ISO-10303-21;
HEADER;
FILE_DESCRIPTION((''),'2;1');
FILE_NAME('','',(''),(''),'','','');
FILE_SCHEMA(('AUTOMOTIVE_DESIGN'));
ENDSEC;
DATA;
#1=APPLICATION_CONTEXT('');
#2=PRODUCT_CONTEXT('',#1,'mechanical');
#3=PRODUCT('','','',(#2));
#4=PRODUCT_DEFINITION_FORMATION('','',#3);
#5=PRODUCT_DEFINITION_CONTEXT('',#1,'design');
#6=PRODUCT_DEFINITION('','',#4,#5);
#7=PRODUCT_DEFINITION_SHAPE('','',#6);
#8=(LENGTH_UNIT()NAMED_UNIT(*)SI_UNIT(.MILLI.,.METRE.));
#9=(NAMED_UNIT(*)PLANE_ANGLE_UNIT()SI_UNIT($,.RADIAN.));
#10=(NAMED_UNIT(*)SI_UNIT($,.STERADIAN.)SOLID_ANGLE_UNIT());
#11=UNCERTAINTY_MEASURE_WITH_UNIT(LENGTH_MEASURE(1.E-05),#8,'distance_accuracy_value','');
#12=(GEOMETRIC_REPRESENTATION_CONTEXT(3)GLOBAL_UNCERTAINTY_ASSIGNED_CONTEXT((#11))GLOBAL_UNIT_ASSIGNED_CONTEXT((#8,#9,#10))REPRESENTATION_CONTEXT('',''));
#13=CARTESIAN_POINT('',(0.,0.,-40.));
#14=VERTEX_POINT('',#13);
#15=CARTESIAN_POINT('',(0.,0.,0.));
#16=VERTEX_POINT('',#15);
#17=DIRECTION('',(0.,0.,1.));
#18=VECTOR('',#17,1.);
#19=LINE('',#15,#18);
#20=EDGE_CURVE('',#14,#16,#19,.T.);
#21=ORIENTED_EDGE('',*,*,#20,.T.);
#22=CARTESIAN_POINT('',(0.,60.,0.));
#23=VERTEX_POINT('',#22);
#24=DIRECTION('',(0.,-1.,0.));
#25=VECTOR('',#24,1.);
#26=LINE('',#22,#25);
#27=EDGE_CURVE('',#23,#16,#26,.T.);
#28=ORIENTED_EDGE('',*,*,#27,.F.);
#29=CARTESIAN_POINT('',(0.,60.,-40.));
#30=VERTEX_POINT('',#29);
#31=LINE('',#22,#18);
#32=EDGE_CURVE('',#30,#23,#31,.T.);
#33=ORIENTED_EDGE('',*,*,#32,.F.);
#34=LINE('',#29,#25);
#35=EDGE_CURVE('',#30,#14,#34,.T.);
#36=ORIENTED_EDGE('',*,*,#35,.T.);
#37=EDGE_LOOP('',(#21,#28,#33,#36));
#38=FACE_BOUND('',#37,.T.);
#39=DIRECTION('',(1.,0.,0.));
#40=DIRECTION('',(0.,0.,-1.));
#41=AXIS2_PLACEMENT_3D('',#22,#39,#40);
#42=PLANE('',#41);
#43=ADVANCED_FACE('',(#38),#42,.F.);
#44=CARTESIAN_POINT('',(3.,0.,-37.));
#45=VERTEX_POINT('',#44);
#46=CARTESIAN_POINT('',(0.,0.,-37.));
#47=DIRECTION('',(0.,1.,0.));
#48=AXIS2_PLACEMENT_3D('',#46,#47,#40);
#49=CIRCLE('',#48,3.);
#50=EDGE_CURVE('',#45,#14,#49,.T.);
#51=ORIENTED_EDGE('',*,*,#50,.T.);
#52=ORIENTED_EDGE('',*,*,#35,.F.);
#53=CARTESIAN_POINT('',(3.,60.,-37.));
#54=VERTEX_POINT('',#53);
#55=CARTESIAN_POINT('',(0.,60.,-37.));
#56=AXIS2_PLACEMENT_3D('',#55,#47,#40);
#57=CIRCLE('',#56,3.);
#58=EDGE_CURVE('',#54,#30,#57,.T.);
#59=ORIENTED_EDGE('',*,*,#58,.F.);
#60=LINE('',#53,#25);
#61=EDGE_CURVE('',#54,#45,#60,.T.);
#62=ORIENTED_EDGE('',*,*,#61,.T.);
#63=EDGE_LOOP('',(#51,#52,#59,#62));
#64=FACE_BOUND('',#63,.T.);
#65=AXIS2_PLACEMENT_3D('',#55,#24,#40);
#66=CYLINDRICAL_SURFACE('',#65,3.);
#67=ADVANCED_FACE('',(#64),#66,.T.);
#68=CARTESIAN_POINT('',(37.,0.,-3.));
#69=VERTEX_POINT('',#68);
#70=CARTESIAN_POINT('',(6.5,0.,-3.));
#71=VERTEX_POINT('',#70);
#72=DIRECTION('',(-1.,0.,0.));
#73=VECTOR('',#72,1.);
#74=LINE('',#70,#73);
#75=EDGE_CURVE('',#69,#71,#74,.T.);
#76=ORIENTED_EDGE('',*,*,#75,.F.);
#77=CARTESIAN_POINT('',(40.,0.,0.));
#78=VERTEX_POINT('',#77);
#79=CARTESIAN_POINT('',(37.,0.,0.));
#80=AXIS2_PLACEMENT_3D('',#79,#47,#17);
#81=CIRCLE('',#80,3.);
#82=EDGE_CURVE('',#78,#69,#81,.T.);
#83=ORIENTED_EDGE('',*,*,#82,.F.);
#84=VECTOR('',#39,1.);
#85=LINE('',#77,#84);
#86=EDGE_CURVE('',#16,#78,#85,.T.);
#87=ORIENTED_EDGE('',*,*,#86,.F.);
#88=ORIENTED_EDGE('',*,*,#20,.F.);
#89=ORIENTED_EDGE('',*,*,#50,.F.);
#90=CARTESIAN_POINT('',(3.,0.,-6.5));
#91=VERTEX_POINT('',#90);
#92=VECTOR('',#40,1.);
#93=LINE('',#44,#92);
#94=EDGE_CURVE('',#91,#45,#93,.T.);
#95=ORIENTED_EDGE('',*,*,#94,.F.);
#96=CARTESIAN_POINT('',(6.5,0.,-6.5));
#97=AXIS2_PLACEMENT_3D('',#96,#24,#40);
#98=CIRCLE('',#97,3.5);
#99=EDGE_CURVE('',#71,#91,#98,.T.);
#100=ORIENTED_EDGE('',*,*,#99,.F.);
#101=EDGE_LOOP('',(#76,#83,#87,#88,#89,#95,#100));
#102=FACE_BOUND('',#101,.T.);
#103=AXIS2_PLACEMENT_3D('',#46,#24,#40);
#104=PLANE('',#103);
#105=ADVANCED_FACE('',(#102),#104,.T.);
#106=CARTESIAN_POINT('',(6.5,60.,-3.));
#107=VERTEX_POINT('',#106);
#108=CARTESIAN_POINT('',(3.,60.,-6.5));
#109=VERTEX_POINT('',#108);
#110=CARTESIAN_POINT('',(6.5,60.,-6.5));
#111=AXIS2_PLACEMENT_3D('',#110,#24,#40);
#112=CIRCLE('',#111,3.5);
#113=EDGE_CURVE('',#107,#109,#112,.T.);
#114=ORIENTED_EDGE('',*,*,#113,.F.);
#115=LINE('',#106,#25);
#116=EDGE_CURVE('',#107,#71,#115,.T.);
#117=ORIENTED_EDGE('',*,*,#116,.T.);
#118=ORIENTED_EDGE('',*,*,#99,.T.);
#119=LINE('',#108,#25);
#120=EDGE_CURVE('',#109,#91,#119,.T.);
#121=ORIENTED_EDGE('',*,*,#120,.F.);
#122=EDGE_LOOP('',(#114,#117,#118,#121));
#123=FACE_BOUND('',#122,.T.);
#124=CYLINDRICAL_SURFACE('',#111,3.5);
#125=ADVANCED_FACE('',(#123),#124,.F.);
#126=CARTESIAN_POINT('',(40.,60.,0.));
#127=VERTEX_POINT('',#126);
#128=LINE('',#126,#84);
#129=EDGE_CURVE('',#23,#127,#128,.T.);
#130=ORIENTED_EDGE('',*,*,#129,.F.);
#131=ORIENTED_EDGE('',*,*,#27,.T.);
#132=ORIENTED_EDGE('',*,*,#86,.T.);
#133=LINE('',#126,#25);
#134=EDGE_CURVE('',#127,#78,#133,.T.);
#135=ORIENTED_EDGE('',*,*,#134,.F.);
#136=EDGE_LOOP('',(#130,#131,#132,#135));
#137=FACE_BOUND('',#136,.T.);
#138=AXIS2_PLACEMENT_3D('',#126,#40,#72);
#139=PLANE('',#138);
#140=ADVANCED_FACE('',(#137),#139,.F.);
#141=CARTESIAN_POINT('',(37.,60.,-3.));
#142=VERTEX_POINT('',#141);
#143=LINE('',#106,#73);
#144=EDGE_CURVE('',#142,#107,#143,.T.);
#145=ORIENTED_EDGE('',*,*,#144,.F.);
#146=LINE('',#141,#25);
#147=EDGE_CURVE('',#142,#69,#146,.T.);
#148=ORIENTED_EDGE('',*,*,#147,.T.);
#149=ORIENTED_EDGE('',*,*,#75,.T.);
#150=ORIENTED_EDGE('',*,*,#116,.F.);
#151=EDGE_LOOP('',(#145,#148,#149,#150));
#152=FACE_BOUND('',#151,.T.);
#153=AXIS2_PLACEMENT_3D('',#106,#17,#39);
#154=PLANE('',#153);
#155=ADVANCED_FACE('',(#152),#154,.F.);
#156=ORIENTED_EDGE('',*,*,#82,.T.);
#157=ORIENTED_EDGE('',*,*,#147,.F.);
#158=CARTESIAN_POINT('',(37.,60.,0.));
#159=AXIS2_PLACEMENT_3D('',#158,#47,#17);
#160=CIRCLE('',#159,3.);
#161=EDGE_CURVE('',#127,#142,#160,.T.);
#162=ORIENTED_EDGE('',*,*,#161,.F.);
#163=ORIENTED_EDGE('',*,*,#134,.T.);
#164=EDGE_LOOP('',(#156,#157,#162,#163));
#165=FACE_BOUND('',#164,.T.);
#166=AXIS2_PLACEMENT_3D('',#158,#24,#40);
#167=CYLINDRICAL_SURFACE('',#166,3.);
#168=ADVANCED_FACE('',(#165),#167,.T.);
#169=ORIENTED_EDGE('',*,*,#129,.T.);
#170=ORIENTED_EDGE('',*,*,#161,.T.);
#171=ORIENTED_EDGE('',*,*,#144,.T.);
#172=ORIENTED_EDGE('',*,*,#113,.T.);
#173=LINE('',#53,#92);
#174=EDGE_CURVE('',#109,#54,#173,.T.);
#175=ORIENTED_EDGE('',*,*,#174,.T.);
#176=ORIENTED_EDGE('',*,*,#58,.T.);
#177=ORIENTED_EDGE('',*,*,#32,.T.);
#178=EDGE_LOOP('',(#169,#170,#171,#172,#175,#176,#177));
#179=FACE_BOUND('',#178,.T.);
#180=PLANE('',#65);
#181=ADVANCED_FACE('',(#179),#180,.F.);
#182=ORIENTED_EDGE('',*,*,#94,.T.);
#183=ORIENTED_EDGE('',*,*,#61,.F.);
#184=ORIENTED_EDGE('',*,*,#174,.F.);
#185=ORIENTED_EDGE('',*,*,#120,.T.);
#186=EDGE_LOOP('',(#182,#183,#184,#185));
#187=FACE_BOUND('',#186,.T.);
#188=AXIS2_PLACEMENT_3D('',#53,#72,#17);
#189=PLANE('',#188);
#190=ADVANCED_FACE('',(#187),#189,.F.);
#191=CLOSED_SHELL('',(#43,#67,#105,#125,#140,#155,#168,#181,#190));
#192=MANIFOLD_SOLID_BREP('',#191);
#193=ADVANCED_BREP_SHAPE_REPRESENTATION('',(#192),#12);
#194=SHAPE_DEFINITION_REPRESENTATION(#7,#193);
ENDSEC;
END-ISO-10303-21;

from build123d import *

# Parameters (mm, degrees)
IRON_V40X40X3_1_DEPTH = 60


with BuildPart() as part:
    # Sketch11 → Iron V40X40X3(1) (new body)
    with BuildSketch(Plane(origin=(0, 0, 0), x_dir=(1, 0, 0), z_dir=(0, 1, 0))):
        with BuildLine():
            Line((0, 0), (0, 40))
            ThreePointArc((0, 40), (2.121320344, 39.121320344), (3, 37))
            Line((3, 37), (3, 6.5))
            ThreePointArc((3, 6.5), (4.025126266, 4.025126266), (6.5, 3))
            Line((6.5, 3), (37, 3))
            ThreePointArc((37, 3), (39.121320344, 2.121320344), (40, 0))
            Line((40, 0), (0, 0))
        make_face()
    extrude(amount=IRON_V40X40X3_1_DEPTH)


solid = part.part
